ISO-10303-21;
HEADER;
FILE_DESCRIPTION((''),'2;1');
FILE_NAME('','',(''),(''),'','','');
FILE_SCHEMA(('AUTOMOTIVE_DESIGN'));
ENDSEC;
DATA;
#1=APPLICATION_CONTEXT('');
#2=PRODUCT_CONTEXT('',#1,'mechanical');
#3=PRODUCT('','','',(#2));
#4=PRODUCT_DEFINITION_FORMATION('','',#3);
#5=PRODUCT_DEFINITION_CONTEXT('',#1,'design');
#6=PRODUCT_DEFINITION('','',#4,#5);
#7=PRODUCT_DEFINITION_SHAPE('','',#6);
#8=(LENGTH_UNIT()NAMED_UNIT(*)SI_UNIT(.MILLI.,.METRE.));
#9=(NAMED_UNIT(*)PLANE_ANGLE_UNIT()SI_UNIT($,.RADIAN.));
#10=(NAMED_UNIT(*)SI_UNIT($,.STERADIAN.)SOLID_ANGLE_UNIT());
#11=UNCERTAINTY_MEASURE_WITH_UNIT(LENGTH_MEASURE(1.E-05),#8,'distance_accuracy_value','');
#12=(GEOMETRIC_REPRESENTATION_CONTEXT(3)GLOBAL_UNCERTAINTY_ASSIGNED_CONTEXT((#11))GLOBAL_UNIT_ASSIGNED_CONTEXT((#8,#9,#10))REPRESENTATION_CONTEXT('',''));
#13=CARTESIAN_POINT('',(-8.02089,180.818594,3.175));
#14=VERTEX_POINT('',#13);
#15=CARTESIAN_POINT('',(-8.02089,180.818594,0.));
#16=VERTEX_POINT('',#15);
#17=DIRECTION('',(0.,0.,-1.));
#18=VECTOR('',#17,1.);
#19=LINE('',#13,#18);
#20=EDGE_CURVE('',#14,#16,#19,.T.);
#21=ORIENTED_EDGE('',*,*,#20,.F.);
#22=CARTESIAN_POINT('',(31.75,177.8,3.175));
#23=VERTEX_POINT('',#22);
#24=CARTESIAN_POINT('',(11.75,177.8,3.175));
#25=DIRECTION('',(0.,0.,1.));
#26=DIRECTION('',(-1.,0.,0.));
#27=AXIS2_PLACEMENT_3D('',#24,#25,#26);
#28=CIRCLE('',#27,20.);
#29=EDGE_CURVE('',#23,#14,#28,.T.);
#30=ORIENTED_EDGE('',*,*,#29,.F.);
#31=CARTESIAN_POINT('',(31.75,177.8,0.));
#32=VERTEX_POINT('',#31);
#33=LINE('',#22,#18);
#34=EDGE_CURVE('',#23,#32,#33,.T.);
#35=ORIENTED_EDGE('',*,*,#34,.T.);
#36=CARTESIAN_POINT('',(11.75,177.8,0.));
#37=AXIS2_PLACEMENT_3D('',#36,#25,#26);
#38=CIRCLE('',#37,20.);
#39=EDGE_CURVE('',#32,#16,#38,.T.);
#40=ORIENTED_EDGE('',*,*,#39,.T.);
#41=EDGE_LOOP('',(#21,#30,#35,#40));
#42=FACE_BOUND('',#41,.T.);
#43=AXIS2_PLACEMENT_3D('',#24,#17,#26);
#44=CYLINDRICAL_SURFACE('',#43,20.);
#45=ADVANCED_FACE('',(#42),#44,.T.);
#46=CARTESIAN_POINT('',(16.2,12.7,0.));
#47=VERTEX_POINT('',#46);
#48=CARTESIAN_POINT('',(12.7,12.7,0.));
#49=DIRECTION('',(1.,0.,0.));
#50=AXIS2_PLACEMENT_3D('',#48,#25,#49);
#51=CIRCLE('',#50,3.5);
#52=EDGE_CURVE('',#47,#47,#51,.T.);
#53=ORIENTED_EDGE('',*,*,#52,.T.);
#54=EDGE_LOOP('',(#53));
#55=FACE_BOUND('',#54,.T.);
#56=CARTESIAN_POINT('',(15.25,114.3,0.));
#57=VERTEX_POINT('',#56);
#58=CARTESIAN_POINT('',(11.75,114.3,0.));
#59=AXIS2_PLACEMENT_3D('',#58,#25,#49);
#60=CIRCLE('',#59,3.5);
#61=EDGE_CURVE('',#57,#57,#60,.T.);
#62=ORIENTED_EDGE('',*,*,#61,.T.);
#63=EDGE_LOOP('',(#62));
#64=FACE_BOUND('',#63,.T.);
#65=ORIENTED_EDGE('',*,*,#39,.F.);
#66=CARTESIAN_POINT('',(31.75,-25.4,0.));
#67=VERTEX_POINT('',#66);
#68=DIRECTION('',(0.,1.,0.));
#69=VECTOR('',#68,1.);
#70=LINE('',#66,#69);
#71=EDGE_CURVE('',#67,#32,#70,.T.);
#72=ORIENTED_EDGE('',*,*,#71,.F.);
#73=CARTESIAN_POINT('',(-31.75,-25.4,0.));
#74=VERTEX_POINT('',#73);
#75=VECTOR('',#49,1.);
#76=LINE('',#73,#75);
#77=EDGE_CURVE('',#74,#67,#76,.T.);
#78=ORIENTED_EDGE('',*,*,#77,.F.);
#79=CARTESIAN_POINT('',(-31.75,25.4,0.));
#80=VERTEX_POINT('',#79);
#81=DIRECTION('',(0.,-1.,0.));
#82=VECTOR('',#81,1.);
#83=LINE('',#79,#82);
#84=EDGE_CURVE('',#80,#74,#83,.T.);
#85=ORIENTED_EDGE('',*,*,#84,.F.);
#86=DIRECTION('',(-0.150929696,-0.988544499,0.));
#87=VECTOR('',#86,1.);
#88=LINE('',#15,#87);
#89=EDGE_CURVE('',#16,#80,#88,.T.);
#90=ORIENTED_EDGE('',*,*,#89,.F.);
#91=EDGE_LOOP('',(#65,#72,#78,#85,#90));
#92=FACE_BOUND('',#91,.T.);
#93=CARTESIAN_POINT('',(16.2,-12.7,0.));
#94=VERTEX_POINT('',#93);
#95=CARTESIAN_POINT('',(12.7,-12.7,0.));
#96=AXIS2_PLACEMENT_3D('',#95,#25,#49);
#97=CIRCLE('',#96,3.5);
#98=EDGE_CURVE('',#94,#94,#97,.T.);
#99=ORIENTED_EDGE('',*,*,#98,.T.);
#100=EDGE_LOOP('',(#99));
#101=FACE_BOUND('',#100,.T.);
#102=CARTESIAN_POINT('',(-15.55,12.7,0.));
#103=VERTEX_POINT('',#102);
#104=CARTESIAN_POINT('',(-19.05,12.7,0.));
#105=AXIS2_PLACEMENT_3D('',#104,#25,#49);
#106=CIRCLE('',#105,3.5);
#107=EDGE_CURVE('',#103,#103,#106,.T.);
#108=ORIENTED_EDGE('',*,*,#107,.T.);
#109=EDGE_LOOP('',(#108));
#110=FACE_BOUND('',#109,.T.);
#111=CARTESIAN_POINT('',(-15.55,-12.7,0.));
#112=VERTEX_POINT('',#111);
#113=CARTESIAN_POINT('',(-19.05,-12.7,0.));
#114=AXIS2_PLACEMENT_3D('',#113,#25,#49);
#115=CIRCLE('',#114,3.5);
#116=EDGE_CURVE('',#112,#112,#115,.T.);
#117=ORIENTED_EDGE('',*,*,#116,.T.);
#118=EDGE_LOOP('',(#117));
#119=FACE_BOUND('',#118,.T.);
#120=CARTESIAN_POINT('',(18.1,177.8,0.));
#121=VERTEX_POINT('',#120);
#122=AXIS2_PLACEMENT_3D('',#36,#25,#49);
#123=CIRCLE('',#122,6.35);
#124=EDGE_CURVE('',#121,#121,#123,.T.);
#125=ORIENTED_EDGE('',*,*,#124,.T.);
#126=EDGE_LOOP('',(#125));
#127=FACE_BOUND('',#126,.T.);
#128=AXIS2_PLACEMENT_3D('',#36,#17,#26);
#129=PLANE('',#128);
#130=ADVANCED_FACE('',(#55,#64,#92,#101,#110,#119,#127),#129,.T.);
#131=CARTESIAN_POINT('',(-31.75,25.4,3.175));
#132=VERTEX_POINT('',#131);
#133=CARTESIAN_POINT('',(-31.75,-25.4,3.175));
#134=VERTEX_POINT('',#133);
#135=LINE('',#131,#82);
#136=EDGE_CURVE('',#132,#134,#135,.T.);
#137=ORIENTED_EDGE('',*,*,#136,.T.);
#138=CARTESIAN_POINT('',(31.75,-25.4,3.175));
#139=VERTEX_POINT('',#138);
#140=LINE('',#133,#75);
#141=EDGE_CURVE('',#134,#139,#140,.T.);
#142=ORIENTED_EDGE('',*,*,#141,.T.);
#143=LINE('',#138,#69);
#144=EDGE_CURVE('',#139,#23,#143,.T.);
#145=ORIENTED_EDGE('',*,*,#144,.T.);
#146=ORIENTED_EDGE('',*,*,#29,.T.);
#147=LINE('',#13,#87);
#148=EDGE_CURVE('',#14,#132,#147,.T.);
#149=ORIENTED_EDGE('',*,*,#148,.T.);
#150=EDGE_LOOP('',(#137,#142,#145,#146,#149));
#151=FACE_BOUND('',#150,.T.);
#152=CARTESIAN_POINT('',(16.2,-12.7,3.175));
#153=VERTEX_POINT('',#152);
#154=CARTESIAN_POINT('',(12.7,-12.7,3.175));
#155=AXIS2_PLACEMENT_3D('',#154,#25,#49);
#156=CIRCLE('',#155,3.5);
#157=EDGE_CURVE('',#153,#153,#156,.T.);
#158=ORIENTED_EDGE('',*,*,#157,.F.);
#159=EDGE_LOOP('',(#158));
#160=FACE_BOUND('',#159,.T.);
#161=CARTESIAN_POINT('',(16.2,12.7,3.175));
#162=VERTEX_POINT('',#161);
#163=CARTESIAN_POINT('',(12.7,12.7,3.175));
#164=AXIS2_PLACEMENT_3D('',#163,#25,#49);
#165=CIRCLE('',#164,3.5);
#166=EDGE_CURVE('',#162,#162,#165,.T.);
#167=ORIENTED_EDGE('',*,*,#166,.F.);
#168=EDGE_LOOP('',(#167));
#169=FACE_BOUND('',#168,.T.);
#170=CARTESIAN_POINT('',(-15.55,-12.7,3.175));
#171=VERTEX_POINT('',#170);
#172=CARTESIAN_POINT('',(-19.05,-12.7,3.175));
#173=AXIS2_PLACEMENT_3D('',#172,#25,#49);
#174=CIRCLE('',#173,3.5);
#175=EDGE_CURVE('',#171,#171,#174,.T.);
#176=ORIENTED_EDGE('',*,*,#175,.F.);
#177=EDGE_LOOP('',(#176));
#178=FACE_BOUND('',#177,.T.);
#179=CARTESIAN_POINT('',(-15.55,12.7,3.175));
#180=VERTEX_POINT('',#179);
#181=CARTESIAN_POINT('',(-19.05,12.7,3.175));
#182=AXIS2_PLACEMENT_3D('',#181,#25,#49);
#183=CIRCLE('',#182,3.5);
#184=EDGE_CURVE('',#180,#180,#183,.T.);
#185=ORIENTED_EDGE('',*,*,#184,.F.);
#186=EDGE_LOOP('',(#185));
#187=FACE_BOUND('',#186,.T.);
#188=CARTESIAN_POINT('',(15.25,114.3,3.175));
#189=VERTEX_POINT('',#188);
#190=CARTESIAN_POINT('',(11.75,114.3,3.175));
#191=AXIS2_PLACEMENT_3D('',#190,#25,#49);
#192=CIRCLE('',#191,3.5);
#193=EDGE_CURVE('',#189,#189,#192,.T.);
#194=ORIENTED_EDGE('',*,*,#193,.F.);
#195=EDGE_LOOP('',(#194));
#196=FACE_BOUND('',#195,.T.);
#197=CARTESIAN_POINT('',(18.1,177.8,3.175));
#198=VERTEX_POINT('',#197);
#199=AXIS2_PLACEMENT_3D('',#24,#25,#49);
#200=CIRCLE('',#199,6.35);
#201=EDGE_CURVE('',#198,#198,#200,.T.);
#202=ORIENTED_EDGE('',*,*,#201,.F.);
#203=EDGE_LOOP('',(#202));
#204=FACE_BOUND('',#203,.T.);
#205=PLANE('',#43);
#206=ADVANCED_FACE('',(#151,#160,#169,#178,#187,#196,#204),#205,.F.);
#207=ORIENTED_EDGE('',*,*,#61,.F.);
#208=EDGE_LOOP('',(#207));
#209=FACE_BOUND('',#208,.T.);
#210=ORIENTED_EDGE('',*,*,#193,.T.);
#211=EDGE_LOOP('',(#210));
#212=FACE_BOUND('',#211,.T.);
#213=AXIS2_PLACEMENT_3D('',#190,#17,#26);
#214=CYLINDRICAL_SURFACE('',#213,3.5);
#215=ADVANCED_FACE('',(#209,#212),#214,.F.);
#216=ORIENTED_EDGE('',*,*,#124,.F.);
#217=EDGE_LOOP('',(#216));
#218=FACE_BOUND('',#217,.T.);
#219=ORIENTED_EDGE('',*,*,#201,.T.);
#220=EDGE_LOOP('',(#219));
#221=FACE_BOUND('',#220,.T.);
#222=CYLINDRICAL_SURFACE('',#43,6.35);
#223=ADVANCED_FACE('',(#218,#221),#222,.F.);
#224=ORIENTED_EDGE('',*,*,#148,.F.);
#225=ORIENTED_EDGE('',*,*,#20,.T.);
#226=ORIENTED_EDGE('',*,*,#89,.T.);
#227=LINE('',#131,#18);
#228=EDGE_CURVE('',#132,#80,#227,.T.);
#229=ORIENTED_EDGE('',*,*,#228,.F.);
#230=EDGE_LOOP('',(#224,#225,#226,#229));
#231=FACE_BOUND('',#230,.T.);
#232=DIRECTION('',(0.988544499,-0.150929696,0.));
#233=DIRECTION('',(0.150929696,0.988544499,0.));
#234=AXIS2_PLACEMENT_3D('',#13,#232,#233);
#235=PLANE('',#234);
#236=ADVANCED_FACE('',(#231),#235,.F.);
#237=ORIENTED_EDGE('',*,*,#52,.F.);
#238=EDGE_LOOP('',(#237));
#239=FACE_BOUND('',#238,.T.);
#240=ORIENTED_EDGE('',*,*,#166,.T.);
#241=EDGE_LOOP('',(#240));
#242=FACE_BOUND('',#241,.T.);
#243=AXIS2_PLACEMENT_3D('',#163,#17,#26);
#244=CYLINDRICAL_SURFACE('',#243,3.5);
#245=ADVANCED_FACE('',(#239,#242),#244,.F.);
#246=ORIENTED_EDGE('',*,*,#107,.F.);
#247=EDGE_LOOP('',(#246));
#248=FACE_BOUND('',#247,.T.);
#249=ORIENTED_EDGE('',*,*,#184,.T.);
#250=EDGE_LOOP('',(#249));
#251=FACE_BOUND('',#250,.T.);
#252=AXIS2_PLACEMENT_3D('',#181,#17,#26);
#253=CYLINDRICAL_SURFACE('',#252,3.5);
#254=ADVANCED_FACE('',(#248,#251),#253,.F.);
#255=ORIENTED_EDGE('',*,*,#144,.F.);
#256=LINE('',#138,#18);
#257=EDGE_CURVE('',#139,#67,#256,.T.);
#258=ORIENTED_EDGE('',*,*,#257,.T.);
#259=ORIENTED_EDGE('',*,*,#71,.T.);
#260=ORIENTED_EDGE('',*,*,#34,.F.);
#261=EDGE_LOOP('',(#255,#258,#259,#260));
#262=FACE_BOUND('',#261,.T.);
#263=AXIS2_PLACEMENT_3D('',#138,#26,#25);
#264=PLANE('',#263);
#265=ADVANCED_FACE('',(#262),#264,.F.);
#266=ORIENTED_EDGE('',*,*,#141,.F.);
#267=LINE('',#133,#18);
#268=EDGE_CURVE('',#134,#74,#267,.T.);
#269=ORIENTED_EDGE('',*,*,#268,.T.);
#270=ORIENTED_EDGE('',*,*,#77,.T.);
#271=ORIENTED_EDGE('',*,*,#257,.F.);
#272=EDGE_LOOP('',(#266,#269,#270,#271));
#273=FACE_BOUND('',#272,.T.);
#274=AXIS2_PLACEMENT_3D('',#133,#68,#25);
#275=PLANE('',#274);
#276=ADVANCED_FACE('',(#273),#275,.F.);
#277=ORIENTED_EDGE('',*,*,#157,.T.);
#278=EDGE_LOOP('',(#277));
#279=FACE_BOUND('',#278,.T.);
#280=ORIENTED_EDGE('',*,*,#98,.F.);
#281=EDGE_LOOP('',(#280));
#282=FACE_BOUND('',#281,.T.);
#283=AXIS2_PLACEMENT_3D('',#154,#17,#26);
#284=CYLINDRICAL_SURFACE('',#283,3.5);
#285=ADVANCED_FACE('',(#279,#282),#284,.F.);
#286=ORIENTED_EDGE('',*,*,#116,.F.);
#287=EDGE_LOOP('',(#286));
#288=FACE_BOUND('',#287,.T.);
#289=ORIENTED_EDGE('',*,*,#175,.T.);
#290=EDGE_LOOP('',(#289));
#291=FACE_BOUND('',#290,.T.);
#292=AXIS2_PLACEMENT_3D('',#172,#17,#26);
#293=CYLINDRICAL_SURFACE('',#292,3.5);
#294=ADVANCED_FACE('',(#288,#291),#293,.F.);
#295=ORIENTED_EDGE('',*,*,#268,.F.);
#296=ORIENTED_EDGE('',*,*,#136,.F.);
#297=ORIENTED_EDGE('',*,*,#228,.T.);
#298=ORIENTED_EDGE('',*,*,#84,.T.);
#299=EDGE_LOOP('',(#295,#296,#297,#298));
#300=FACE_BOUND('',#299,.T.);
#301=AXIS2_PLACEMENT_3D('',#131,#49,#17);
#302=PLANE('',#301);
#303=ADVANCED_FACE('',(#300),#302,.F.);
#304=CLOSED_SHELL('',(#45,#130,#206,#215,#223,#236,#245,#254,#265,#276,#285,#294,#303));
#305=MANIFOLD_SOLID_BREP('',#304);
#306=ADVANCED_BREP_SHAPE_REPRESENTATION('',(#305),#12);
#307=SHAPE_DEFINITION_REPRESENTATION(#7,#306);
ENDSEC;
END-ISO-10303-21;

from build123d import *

# Parameters (mm, degrees)
SKETCH1_R           = 6.35
SKETCH1_R_2         = 3.5
BOSS_EXTRUDE1_DEPTH = 3.175


with BuildPart() as part:
    # Sketch1 → Boss-Extrude1 (new body)
    with BuildSketch(Plane.XY):
        with BuildLine():
            Line((-31.75, -25.4), (31.75, -25.4))
            Line((31.75, -25.4), (31.75, 177.8))
            ThreePointArc((31.75, 177.8), (13.263638058, 197.742640242), (-8.020889983, 180.818593926))
            Line((-8.020889983, 180.818593926), (-31.75, 25.4))
            Line((-31.75, 25.4), (-31.75, -25.4))
        make_face()
        with Locations((11.75, 177.8)):
            Circle(SKETCH1_R, mode=Mode.SUBTRACT)
        with Locations((-19.05, 12.7)):
            Circle(SKETCH1_R_2, mode=Mode.SUBTRACT)
        with Locations((12.7, 12.7)):
            Circle(SKETCH1_R_2, mode=Mode.SUBTRACT)
        with Locations((12.7, -12.7)):
            Circle(SKETCH1_R_2, mode=Mode.SUBTRACT)
        with Locations((-19.05, -12.7)):
            Circle(SKETCH1_R_2, mode=Mode.SUBTRACT)
        with Locations((11.75, 114.3)):
            Circle(SKETCH1_R_2, mode=Mode.SUBTRACT)
    extrude(amount=BOSS_EXTRUDE1_DEPTH)


solid = part.part
